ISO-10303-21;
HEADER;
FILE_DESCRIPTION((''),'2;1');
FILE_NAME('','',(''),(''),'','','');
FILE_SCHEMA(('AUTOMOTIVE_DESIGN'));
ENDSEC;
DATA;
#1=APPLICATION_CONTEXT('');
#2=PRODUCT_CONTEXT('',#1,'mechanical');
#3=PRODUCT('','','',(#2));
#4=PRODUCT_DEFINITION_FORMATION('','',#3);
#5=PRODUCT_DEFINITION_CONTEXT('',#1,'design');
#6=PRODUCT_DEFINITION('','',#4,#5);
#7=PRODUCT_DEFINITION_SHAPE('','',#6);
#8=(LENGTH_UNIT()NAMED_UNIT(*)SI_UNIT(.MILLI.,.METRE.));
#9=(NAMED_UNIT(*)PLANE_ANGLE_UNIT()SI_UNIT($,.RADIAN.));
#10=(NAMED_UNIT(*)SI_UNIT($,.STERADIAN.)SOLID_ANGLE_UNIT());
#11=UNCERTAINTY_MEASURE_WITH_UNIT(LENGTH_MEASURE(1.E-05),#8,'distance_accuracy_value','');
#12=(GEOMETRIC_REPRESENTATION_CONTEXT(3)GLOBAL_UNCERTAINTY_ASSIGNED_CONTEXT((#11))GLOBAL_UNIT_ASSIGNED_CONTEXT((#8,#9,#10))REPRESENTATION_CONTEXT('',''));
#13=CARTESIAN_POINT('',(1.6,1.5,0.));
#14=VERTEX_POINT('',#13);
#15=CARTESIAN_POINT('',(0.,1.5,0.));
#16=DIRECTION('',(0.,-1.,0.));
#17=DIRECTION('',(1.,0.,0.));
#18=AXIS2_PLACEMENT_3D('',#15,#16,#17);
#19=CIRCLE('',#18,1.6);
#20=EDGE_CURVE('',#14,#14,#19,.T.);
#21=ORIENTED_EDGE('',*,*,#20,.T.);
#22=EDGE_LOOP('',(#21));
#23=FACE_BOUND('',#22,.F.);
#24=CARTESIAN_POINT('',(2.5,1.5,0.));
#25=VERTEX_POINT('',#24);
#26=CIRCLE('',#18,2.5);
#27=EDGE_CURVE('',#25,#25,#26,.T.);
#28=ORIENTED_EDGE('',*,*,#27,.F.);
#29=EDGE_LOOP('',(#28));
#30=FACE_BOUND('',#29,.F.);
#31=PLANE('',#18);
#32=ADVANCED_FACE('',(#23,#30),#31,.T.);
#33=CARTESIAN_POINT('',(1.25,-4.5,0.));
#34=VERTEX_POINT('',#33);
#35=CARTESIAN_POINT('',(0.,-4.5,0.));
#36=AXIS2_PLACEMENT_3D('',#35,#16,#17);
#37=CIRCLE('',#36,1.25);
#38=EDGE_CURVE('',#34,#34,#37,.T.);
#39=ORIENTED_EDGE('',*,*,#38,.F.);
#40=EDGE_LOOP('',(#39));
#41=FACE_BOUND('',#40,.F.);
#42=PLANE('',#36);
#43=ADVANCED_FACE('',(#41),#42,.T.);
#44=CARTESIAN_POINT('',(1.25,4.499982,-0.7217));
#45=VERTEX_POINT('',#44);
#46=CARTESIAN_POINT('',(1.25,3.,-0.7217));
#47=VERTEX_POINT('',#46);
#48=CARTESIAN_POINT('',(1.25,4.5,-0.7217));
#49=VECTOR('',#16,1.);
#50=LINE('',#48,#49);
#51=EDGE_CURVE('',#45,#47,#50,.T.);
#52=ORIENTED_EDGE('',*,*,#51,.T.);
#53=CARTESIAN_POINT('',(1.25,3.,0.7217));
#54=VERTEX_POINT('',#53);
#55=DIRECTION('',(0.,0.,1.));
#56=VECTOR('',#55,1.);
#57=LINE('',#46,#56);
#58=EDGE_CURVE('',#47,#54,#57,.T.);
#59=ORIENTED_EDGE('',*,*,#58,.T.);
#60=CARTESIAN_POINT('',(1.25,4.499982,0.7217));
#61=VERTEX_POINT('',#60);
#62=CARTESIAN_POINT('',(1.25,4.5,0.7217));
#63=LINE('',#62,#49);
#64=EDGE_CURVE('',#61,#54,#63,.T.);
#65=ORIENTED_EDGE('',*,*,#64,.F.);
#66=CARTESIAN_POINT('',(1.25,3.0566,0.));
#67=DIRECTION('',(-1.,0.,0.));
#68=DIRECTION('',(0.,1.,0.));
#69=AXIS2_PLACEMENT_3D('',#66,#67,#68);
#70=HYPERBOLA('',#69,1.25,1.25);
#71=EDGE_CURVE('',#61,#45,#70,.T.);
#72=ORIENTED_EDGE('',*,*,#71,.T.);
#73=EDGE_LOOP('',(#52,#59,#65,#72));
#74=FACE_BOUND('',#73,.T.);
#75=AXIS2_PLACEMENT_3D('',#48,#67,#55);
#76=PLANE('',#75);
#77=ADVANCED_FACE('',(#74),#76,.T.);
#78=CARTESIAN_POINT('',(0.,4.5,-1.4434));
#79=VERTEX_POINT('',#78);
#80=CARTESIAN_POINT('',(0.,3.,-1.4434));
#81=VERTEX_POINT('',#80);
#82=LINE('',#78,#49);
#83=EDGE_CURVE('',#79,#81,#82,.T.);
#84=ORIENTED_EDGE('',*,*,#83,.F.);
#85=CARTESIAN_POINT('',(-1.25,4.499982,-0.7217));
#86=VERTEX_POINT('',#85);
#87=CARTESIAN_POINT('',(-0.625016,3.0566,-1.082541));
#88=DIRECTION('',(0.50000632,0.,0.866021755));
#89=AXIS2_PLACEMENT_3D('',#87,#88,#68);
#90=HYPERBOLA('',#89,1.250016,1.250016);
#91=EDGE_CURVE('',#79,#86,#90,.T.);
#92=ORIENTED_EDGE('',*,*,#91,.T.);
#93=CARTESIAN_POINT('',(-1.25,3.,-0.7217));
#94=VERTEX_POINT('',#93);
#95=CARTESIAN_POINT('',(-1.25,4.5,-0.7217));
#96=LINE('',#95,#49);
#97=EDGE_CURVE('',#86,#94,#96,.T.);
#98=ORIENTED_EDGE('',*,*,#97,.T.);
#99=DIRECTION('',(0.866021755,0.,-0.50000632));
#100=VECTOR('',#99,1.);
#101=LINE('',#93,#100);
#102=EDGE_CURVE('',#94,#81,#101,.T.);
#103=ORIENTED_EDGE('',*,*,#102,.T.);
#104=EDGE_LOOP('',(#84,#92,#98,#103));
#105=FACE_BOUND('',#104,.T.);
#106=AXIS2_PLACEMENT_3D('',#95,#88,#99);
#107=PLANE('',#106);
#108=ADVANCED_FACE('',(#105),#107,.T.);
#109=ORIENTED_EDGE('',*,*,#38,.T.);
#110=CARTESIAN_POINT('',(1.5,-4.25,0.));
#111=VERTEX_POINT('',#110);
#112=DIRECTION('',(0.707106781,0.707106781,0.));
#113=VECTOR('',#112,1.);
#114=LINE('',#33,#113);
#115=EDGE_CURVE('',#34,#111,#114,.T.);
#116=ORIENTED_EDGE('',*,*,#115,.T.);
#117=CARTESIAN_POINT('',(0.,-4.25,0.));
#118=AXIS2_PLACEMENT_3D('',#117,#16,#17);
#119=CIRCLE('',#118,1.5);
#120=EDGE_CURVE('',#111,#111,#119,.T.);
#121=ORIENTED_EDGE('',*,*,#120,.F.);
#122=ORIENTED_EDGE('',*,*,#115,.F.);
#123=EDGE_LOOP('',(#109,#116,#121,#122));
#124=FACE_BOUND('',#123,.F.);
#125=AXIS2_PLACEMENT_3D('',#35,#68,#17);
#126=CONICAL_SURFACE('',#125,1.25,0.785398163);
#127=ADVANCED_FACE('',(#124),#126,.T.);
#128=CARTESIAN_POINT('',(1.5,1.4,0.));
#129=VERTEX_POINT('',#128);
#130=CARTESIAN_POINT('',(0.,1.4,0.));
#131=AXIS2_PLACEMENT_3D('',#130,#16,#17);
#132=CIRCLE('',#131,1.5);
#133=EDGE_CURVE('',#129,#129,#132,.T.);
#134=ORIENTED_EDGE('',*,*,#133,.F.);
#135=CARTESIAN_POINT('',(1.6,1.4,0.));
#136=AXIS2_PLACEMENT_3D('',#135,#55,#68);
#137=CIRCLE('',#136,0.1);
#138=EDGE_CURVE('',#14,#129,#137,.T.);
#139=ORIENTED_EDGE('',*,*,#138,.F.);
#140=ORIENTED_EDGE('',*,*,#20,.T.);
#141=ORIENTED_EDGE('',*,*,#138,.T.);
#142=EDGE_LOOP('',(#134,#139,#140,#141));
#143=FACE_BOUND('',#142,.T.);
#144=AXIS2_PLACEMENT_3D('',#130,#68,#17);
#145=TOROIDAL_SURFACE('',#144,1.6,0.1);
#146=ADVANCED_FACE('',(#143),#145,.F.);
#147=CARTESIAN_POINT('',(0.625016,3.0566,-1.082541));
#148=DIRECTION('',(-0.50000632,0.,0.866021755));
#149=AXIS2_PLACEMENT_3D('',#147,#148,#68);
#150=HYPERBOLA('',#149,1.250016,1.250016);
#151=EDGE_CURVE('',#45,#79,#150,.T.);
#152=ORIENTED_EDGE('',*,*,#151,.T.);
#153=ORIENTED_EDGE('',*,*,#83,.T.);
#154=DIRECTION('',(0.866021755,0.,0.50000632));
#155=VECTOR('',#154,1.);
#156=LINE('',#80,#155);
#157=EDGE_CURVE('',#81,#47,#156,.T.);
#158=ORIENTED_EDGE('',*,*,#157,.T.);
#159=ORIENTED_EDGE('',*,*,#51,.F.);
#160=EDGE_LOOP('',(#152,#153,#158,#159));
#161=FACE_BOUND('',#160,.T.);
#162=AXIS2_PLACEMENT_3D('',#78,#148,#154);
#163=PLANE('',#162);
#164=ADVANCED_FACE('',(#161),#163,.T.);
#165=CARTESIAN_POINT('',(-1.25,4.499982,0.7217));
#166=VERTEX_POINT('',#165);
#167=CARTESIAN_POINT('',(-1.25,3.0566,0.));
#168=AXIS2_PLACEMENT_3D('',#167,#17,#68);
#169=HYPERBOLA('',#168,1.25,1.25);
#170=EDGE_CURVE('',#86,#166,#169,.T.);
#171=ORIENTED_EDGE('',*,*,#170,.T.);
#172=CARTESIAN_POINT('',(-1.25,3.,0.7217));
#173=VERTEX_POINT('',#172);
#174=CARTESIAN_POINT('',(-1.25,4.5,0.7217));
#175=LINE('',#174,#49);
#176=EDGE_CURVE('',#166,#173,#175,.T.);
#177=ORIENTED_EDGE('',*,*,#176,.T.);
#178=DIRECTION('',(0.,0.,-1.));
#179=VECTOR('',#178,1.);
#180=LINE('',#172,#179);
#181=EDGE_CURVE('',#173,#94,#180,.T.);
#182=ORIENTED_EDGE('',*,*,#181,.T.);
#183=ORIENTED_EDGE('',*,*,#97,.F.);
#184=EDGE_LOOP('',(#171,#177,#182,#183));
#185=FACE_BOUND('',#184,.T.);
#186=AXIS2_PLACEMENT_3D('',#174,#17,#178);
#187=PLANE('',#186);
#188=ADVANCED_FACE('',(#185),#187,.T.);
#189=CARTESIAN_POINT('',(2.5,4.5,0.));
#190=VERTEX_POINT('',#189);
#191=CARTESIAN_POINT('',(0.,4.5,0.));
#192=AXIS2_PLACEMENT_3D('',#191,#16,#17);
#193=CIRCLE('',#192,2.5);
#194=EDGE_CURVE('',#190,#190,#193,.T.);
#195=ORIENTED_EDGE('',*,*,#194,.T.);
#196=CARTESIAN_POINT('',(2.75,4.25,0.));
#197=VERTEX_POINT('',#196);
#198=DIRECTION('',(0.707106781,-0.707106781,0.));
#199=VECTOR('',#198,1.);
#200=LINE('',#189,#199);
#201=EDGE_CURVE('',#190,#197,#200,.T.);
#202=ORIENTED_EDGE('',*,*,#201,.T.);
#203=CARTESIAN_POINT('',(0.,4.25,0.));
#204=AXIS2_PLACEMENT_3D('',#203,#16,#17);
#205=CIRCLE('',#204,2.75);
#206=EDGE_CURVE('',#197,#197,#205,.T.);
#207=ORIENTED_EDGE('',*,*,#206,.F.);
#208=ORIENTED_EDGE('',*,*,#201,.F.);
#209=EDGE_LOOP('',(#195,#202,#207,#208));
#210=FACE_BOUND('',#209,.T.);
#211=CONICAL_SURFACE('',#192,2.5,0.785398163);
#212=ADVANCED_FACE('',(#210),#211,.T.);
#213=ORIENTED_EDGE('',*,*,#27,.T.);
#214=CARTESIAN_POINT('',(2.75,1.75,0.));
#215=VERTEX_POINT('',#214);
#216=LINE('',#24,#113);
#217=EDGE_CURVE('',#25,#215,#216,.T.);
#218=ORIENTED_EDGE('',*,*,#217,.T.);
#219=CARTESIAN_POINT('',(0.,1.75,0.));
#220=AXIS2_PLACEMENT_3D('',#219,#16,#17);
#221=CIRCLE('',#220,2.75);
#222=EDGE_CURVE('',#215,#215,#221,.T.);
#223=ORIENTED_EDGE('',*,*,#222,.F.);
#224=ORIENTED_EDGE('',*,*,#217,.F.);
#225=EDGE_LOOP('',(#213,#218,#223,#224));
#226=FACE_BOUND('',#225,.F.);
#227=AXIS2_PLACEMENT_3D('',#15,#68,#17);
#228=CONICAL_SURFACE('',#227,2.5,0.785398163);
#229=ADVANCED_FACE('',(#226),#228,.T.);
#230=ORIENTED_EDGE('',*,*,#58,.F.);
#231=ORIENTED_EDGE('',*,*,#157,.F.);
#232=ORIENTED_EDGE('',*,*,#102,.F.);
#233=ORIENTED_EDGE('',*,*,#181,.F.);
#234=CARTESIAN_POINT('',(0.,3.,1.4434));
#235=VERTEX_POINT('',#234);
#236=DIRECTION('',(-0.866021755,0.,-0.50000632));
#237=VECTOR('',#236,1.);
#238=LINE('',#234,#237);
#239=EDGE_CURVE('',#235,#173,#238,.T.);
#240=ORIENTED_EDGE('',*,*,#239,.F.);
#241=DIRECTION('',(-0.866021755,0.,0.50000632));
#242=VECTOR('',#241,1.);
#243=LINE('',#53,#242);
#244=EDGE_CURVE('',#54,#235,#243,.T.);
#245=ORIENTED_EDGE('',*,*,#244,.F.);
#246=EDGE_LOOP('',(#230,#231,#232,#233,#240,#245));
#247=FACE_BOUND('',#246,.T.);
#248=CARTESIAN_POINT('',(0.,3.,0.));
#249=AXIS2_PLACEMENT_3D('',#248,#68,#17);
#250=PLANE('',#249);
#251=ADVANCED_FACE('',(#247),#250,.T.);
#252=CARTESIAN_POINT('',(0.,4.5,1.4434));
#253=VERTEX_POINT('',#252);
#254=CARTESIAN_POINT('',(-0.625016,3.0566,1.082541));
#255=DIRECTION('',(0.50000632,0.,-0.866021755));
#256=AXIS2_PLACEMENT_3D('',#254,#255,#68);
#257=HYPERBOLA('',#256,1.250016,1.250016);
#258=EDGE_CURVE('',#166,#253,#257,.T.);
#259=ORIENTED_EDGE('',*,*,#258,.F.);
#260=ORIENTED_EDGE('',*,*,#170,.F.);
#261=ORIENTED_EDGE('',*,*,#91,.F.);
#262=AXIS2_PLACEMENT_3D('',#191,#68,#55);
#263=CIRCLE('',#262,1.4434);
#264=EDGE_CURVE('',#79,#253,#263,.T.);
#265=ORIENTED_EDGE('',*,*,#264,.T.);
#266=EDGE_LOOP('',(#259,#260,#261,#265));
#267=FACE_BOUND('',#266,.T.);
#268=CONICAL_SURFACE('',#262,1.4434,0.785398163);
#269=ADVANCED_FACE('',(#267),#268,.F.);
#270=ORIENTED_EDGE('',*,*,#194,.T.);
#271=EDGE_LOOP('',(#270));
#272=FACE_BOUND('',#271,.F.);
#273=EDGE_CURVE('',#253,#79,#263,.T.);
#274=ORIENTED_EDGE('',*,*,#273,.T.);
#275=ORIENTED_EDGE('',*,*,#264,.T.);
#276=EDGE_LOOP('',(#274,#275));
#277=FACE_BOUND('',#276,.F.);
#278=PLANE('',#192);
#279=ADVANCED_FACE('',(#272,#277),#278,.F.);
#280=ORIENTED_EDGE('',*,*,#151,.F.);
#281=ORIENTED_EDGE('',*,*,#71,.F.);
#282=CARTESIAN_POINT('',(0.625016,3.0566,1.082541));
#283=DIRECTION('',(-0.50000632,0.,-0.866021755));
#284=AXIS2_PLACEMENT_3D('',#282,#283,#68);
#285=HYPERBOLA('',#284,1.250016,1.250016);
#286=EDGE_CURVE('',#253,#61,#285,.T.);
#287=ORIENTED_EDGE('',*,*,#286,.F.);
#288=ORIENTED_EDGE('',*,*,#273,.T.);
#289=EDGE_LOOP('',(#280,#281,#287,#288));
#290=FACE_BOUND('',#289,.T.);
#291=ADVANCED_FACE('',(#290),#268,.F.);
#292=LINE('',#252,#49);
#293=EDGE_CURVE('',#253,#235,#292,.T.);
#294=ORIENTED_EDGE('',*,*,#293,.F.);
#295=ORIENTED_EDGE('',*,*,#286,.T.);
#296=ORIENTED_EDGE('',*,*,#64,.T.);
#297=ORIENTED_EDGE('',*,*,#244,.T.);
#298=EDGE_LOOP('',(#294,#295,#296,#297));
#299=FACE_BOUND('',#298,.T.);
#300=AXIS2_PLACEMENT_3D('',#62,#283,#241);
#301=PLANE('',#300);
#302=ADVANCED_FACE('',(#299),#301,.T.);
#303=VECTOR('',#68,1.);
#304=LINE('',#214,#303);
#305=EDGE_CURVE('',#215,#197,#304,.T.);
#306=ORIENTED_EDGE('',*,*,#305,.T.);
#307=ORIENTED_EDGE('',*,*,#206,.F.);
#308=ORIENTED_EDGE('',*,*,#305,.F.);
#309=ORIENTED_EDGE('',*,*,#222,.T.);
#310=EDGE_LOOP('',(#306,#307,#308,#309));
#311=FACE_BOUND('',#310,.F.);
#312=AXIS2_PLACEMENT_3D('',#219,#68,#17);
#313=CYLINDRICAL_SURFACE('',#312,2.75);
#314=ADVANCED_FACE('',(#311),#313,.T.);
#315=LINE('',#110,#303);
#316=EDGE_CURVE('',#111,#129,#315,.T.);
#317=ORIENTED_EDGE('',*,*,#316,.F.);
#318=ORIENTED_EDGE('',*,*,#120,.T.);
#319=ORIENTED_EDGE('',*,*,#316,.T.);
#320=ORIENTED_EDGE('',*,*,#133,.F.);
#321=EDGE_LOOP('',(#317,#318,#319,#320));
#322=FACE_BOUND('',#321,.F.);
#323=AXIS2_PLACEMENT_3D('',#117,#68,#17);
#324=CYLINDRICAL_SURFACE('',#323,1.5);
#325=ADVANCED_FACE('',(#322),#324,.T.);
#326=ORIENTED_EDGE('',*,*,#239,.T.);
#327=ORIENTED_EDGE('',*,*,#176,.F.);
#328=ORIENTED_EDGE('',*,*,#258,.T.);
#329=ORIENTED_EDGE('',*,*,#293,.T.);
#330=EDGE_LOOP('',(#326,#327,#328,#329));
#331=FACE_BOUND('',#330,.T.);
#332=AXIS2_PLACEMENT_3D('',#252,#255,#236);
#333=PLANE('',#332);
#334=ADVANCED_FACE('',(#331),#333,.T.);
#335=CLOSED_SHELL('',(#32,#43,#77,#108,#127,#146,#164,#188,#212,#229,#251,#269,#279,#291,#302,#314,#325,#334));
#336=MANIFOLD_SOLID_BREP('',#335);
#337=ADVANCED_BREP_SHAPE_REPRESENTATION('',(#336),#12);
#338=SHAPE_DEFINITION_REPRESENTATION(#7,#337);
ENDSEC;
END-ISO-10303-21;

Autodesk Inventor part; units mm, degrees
ref_plane "YZ Plane" through (0, 0, 0) normal (1, 0, 0) x (0, 1, 0)
ref_plane "XZ Plane" through (0, 0, 0) normal (0, 1, 0) x (-1, 0, 0)
ref_plane "XY Plane" through (0, 0, 0) normal (0, 0, 1) x (1, 0, 0)
sketch "Sketch1" plane through (0, 0, 0) normal (0, 0, 1) x (1, 0, 0)
  line L0 (0, 4.5) -> (0, -4.5)
  line L1 (0, -4.5) -> (1.25, -4.5)
  line L2 (1.25, -4.5) -> (1.5, -4.25)
  line L3 (1.5, -4.25) -> (1.5, 1.4)
  line L4 (1.6, 1.5) -> (2.5, 1.5)
  line L5 (2.75, 1.75) -> (2.75, 4.25)
  line L6 (2.5, 4.5) -> (0, 4.5)
  arc A0 (1.6, 1.5) -> (1.5, 1.4) centre (1.6, 1.4) ccw
  line L7 (2.5, 4.5) -> (2.75, 4.25)
  line L8 (2.5, 1.5) -> (2.75, 1.75)
  point P0 (0, 0)
  point P1 (2.75, 1.5)
  point P2 (2.75, 4.5)
  point P3 (0, 0)
  dimension "d0" = 5.5
  dimension "d1" = 3
  dimension "d3" = 3
  dimension "d4" = 3.2
  dimension "d5" = 135
  dimension "d6" = 0.25
  dimension "d7" = 6
  dimension "d18" = 0.25
revolve "Revolution1" add sketch "Sketch1" angle 360 about axis through (0, 4.5, 0) along (0, -1, 0)
sketch "Sketch2" plane through (0, 4.5, 0) normal (0, 1, 0) x (1, 0, 0)
  line L0 (0, -1.4434) -> (-1.25, -0.7217)
  line L1 (-1.25, -0.7217) -> (-1.25, 0.7217)
  line L2 (-1.25, 0.7217) -> (0, 1.4434)
  line L3 (0, 1.4434) -> (1.25, 0.7217)
  line L4 (1.25, 0.7217) -> (1.25, -0.7217)
  line L5 (1.25, -0.7217) -> (0, -1.4434)
  point P0 (0, 0)
  point P1 (0, 0)
  dimension "d11" = 2.5
extrude "Extrusion1" cut sketch "Sketch2" against normal blind 1.5
thread "Thread1"
sketch "Sketch3" plane through (0, 0, 0) normal (1, 0, 0) x (0, 1, 0)
  line L0 (4.5, 1.4434) -> (4.5, 0.7217)
  line L1 (4.5, 1.4434) -> (4, 0.9434)
  line L2 (4, 0.9434) -> (4.5, 0.9434)
  line L3 (4.5, 0.9434) -> (4.5, 1.4434)
  line L4 (-0.8, 0) -> (4.8, 0)
  point P0 (0, 0)
  dimension "d16" = 0.5
revolve "Revolution2" cut sketch "Sketch3" angle 360 about axis through (0, -10, 0) along (0, 1, 0)
properties part number "Bolt_M3x0.35_6mm_SH" material "Stainless Steel"
